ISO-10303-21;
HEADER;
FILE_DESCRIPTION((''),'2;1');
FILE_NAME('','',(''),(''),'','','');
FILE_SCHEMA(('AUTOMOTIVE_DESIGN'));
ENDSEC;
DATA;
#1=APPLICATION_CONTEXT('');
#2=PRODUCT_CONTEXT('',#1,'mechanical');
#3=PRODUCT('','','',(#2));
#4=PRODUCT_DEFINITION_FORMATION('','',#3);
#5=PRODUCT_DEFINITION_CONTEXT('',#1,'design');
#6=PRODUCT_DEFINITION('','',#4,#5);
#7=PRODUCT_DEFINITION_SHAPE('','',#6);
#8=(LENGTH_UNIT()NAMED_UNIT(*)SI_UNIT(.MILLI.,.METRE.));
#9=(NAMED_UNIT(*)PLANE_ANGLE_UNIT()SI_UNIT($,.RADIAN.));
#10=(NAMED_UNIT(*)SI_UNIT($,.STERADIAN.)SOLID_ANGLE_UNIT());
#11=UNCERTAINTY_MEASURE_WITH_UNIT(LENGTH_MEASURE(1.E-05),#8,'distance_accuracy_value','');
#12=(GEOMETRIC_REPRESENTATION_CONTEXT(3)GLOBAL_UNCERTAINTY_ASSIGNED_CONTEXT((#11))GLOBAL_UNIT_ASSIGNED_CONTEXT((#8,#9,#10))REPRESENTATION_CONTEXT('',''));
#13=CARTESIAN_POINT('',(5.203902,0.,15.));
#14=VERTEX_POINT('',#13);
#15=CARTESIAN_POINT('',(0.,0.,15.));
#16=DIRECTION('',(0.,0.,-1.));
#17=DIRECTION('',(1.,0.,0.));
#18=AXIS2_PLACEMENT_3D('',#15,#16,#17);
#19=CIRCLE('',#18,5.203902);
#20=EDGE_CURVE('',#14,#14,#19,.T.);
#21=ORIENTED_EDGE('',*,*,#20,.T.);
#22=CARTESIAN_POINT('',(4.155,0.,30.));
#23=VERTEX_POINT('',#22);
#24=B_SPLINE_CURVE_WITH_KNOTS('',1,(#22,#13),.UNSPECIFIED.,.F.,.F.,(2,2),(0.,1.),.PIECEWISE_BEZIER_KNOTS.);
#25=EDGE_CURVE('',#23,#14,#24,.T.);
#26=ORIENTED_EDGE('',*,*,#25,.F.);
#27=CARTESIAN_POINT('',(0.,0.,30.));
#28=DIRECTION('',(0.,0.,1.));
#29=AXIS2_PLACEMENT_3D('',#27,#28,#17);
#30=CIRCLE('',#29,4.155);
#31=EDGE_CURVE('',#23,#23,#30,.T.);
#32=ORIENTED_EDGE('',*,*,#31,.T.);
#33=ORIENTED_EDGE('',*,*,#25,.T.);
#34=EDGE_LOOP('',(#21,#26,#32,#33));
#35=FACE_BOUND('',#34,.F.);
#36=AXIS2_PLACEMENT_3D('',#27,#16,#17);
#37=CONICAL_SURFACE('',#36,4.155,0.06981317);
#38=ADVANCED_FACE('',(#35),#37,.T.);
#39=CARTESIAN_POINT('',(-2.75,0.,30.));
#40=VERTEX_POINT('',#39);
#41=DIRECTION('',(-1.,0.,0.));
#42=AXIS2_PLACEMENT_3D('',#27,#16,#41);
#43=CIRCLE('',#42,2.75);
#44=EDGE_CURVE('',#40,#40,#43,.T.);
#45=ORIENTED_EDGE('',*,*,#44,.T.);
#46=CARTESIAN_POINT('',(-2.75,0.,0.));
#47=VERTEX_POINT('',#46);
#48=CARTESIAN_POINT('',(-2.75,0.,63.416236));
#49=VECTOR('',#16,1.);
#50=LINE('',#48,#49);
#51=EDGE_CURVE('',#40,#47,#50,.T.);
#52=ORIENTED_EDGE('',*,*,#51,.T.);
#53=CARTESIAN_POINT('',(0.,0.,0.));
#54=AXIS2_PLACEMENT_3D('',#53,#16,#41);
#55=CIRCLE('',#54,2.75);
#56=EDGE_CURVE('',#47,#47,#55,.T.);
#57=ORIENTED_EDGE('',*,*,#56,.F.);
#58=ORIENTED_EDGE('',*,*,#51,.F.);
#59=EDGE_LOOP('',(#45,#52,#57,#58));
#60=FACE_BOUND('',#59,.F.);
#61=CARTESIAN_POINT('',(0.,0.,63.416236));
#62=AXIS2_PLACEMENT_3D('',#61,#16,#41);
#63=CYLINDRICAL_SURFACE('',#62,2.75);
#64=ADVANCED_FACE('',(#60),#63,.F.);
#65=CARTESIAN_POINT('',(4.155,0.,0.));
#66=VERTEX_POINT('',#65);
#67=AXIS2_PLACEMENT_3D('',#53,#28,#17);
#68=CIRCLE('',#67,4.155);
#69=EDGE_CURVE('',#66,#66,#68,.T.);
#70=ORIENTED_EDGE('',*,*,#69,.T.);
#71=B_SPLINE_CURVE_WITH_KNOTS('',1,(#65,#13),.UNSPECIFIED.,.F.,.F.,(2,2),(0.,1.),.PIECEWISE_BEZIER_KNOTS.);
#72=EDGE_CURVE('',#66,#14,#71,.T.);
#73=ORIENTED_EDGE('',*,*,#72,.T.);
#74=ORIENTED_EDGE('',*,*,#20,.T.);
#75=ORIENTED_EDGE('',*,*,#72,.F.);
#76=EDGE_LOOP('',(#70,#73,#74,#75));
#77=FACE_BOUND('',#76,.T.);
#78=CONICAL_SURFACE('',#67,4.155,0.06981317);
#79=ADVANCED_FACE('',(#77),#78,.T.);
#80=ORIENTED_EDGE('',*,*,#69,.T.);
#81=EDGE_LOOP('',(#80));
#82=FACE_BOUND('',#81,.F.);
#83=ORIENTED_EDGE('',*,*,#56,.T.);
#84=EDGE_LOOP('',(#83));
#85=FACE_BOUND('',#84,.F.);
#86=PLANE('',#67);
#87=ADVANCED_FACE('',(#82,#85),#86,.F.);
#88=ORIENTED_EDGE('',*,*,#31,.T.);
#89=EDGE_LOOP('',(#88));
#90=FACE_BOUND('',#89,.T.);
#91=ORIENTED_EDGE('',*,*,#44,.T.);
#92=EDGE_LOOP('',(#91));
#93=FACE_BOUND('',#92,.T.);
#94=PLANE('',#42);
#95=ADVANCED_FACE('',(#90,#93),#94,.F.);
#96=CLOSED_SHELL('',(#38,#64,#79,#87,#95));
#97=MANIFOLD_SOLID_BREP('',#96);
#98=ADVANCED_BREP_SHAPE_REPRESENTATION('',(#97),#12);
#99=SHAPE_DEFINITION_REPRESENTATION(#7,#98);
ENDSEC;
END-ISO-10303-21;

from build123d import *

# Parameters (mm, degrees)
F0_R     = 4.155
F1_DEPTH = 15
F1_TAPER = -4
F4_D     = 5.5


with BuildPart() as f1:
    # F0 (on Top) → F1 (new body)
    with BuildSketch(Plane.XY):
        Circle(F0_R)
    extrude(amount=F1_DEPTH, taper=F1_TAPER)

    # F2: F1 across face


with BuildPart() as f1_1:
    add(f1.part)
    add(f1.part.mirror(Plane.XY.offset(15)))

    # F4 (through all)
    with Locations(Plane.XY.offset(30)):
        with Locations((0, 0)):
            Hole(F4_D / 2)


solid = f1_1.part
